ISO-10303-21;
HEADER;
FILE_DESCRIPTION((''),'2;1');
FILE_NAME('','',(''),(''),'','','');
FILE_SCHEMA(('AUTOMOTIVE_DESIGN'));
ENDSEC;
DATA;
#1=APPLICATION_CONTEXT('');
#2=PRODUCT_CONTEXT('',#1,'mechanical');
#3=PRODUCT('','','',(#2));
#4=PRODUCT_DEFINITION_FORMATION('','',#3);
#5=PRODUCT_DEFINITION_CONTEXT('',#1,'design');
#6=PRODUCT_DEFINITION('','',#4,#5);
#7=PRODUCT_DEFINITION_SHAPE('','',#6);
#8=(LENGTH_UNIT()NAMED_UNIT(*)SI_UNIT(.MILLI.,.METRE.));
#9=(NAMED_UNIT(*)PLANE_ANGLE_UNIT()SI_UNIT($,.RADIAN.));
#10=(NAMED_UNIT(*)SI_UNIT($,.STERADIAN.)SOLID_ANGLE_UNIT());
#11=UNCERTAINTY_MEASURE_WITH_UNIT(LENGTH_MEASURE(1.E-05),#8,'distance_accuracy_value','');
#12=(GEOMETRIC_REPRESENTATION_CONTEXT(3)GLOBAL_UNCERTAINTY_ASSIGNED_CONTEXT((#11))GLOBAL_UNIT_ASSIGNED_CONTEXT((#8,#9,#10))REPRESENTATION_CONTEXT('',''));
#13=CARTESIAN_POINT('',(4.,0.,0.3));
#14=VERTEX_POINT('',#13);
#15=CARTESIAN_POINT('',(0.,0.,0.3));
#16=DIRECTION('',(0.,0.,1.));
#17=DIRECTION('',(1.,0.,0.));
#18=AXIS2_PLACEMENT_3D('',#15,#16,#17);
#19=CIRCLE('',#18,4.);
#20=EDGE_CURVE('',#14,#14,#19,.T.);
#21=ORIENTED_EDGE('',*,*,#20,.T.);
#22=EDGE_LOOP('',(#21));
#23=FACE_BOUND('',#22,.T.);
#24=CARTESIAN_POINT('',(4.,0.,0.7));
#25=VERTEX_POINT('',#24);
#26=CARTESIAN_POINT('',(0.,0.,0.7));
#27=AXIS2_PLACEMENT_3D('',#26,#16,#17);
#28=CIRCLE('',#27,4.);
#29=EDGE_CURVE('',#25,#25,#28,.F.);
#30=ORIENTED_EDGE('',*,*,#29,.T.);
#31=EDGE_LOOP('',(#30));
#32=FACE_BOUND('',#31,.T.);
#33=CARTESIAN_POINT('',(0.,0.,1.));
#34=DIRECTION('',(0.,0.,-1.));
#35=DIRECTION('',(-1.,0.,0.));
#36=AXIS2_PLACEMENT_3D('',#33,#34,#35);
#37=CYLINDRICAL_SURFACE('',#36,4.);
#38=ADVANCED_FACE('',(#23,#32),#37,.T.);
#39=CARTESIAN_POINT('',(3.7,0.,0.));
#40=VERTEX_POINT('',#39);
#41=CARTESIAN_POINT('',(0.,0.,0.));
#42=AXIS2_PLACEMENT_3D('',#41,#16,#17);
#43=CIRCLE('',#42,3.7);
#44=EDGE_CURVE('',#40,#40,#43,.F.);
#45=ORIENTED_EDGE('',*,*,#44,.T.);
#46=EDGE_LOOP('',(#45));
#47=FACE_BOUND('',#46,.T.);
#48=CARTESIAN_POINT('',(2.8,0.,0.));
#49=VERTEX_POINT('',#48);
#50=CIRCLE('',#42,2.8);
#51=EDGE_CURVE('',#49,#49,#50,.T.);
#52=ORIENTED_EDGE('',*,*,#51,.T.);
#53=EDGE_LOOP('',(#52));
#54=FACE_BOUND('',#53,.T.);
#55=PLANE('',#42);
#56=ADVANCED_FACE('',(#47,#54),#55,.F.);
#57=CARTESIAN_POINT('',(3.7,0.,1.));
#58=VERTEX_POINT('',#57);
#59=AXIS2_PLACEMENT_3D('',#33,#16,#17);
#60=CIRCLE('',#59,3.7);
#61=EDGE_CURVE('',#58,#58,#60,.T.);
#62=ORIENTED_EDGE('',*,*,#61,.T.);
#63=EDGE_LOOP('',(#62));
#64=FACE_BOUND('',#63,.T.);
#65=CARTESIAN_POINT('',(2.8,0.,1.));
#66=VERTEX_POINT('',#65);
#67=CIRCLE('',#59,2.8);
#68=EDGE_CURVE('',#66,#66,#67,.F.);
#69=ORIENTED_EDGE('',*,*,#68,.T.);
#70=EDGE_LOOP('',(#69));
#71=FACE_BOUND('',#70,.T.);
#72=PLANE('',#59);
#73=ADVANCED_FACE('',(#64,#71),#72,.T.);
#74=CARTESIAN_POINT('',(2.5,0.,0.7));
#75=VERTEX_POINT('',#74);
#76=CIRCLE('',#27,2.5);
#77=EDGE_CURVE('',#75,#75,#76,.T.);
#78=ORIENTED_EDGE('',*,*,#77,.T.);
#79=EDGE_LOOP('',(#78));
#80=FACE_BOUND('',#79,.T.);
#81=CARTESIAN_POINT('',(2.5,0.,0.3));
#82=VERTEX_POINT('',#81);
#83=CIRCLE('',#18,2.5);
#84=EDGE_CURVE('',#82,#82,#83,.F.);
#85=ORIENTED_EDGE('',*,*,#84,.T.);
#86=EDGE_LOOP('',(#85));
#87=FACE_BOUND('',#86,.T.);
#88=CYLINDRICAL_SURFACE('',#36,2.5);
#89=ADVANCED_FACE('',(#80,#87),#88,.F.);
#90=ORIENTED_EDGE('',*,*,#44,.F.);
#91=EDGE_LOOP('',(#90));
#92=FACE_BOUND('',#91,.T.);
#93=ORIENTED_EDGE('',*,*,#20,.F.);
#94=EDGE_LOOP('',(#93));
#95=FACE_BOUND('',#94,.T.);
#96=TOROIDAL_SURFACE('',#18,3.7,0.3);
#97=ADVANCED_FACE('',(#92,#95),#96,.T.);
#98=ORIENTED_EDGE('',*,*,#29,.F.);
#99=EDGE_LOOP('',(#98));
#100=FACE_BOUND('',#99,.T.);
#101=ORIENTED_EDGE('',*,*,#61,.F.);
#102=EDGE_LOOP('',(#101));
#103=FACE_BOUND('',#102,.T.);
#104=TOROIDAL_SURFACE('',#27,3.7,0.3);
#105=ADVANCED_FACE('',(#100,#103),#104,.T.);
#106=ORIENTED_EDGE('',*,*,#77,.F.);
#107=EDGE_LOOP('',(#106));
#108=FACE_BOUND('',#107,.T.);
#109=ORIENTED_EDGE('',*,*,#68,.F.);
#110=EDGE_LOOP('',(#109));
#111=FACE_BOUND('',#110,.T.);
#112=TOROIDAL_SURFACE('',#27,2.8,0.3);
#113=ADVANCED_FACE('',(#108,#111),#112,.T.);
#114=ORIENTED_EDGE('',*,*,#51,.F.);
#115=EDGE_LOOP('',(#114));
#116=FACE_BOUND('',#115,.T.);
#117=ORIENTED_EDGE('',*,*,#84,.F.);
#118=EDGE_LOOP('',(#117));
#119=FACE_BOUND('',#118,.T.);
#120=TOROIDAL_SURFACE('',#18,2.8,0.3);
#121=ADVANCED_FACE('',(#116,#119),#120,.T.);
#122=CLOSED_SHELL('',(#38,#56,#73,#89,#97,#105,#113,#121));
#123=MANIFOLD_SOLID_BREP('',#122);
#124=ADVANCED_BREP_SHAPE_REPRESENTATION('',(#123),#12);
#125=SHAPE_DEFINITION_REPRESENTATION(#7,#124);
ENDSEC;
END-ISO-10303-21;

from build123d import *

# Parameters (mm, degrees)
SCHIZZO1_R                   = 4
SCHIZZO1_R_2                 = 2.5
ESTRUSIONE_ESTRUSIONE1_DEPTH = 1
RACCORDO1_R                  = 0.3


with BuildPart() as part:
    # Schizzo1 → Estrusione-Estrusione1 (new body)
    with BuildSketch(Plane.XY):
        Circle(SCHIZZO1_R)
        Circle(SCHIZZO1_R_2, mode=Mode.SUBTRACT)
    extrude(amount=ESTRUSIONE_ESTRUSIONE1_DEPTH)

    # Raccordo1
    raccordo1_edges = [part.edges().sort_by_distance(p)[0] for p in [
        (-4, 0, 0),
        (-4, 0, 1),
        (-2.5, 0, 0),
        (-2.5, 0, 1),
    ]]
    fillet(raccordo1_edges, radius=RACCORDO1_R)


solid = part.part
